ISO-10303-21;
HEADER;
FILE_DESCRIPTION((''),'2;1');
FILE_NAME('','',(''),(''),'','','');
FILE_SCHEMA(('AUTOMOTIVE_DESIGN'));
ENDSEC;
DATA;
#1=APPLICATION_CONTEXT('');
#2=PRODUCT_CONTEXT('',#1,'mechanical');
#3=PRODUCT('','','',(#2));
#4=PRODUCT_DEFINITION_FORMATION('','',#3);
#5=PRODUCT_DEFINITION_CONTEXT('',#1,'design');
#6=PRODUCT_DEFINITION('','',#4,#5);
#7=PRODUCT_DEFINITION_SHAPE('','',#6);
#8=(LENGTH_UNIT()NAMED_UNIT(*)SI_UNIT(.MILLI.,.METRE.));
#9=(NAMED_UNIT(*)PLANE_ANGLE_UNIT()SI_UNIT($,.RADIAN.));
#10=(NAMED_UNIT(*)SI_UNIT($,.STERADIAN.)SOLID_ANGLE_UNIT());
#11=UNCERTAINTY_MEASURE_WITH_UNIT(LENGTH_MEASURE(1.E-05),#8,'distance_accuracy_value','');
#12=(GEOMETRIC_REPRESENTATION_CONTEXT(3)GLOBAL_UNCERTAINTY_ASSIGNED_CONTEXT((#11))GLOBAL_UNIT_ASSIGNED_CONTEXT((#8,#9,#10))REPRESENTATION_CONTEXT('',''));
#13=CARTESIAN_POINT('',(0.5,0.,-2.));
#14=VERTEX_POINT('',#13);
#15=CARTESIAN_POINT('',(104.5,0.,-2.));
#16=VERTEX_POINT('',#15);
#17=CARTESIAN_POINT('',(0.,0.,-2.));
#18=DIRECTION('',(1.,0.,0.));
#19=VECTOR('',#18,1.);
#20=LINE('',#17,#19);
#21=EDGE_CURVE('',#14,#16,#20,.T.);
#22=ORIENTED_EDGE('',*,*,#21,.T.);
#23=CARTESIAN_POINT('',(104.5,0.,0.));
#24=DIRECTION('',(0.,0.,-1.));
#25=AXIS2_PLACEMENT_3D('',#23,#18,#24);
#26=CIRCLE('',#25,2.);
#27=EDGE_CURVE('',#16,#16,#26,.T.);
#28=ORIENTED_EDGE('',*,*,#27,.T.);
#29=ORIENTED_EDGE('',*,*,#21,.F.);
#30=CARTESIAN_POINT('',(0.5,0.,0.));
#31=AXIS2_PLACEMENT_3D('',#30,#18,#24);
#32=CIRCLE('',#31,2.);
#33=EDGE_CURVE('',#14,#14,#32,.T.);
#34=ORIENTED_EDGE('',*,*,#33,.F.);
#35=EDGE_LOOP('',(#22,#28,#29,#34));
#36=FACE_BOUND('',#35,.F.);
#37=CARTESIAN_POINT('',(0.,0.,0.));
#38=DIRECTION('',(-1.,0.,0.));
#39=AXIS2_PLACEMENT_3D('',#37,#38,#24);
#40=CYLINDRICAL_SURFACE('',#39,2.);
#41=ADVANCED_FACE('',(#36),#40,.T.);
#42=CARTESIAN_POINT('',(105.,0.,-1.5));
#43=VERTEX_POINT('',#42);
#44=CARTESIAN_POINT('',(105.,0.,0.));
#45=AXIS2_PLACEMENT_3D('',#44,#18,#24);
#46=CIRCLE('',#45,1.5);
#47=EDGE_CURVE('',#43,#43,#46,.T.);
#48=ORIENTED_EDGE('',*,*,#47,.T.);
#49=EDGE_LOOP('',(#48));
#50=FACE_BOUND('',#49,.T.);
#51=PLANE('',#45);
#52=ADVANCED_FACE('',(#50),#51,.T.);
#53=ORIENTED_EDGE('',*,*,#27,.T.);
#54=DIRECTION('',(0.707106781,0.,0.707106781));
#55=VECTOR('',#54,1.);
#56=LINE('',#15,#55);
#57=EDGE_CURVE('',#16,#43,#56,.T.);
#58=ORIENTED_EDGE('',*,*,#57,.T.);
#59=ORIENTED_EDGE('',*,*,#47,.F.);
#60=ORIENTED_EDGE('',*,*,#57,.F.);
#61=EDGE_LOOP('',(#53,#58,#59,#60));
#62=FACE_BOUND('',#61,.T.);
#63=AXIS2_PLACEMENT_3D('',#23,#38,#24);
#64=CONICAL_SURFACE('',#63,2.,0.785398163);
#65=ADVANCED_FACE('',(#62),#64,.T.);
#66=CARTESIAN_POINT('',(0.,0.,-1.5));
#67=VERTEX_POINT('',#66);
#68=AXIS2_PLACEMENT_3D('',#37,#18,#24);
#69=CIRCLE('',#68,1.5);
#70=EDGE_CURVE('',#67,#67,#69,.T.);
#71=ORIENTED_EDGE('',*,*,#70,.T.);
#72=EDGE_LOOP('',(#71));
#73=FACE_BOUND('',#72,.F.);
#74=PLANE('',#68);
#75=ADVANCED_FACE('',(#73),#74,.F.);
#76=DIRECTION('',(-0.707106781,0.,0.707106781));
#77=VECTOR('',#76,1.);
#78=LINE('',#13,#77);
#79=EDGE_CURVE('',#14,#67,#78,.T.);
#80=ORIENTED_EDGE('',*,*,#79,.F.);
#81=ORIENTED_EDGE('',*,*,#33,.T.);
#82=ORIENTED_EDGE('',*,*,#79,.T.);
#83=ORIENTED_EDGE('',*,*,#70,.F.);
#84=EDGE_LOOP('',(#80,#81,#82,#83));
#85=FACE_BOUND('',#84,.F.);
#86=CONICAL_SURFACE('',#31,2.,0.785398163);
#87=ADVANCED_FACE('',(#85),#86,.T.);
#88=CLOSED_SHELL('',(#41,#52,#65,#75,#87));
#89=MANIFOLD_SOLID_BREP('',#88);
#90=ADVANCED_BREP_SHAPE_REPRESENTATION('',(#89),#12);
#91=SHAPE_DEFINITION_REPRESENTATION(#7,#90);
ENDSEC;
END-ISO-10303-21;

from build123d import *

# Parameters (mm, degrees)
SKETCH1_R           = 2
BOSS_EXTRUDE1_DEPTH = 105
CHAMFER1_SIZE       = 0.5
CHAMFER2_SIZE       = 0.5


with BuildPart() as part:
    # Sketch1 → Boss-Extrude1 (new body)
    with BuildSketch(Plane(origin=(0, 0, 0), x_dir=(0, 0, -1), z_dir=(1, 0, 0))):
        Circle(SKETCH1_R)
    extrude(amount=BOSS_EXTRUDE1_DEPTH)

    # Chamfer1
    chamfer1_edges = [part.edges().sort_by_distance(p)[0] for p in [
        (0, 0, 2),
    ]]
    chamfer(chamfer1_edges, length=CHAMFER1_SIZE)

    # Chamfer2
    chamfer2_edges = [part.edges().sort_by_distance(p)[0] for p in [
        (105, 0, 2),
    ]]
    chamfer(chamfer2_edges, length=CHAMFER2_SIZE)


solid = part.part
